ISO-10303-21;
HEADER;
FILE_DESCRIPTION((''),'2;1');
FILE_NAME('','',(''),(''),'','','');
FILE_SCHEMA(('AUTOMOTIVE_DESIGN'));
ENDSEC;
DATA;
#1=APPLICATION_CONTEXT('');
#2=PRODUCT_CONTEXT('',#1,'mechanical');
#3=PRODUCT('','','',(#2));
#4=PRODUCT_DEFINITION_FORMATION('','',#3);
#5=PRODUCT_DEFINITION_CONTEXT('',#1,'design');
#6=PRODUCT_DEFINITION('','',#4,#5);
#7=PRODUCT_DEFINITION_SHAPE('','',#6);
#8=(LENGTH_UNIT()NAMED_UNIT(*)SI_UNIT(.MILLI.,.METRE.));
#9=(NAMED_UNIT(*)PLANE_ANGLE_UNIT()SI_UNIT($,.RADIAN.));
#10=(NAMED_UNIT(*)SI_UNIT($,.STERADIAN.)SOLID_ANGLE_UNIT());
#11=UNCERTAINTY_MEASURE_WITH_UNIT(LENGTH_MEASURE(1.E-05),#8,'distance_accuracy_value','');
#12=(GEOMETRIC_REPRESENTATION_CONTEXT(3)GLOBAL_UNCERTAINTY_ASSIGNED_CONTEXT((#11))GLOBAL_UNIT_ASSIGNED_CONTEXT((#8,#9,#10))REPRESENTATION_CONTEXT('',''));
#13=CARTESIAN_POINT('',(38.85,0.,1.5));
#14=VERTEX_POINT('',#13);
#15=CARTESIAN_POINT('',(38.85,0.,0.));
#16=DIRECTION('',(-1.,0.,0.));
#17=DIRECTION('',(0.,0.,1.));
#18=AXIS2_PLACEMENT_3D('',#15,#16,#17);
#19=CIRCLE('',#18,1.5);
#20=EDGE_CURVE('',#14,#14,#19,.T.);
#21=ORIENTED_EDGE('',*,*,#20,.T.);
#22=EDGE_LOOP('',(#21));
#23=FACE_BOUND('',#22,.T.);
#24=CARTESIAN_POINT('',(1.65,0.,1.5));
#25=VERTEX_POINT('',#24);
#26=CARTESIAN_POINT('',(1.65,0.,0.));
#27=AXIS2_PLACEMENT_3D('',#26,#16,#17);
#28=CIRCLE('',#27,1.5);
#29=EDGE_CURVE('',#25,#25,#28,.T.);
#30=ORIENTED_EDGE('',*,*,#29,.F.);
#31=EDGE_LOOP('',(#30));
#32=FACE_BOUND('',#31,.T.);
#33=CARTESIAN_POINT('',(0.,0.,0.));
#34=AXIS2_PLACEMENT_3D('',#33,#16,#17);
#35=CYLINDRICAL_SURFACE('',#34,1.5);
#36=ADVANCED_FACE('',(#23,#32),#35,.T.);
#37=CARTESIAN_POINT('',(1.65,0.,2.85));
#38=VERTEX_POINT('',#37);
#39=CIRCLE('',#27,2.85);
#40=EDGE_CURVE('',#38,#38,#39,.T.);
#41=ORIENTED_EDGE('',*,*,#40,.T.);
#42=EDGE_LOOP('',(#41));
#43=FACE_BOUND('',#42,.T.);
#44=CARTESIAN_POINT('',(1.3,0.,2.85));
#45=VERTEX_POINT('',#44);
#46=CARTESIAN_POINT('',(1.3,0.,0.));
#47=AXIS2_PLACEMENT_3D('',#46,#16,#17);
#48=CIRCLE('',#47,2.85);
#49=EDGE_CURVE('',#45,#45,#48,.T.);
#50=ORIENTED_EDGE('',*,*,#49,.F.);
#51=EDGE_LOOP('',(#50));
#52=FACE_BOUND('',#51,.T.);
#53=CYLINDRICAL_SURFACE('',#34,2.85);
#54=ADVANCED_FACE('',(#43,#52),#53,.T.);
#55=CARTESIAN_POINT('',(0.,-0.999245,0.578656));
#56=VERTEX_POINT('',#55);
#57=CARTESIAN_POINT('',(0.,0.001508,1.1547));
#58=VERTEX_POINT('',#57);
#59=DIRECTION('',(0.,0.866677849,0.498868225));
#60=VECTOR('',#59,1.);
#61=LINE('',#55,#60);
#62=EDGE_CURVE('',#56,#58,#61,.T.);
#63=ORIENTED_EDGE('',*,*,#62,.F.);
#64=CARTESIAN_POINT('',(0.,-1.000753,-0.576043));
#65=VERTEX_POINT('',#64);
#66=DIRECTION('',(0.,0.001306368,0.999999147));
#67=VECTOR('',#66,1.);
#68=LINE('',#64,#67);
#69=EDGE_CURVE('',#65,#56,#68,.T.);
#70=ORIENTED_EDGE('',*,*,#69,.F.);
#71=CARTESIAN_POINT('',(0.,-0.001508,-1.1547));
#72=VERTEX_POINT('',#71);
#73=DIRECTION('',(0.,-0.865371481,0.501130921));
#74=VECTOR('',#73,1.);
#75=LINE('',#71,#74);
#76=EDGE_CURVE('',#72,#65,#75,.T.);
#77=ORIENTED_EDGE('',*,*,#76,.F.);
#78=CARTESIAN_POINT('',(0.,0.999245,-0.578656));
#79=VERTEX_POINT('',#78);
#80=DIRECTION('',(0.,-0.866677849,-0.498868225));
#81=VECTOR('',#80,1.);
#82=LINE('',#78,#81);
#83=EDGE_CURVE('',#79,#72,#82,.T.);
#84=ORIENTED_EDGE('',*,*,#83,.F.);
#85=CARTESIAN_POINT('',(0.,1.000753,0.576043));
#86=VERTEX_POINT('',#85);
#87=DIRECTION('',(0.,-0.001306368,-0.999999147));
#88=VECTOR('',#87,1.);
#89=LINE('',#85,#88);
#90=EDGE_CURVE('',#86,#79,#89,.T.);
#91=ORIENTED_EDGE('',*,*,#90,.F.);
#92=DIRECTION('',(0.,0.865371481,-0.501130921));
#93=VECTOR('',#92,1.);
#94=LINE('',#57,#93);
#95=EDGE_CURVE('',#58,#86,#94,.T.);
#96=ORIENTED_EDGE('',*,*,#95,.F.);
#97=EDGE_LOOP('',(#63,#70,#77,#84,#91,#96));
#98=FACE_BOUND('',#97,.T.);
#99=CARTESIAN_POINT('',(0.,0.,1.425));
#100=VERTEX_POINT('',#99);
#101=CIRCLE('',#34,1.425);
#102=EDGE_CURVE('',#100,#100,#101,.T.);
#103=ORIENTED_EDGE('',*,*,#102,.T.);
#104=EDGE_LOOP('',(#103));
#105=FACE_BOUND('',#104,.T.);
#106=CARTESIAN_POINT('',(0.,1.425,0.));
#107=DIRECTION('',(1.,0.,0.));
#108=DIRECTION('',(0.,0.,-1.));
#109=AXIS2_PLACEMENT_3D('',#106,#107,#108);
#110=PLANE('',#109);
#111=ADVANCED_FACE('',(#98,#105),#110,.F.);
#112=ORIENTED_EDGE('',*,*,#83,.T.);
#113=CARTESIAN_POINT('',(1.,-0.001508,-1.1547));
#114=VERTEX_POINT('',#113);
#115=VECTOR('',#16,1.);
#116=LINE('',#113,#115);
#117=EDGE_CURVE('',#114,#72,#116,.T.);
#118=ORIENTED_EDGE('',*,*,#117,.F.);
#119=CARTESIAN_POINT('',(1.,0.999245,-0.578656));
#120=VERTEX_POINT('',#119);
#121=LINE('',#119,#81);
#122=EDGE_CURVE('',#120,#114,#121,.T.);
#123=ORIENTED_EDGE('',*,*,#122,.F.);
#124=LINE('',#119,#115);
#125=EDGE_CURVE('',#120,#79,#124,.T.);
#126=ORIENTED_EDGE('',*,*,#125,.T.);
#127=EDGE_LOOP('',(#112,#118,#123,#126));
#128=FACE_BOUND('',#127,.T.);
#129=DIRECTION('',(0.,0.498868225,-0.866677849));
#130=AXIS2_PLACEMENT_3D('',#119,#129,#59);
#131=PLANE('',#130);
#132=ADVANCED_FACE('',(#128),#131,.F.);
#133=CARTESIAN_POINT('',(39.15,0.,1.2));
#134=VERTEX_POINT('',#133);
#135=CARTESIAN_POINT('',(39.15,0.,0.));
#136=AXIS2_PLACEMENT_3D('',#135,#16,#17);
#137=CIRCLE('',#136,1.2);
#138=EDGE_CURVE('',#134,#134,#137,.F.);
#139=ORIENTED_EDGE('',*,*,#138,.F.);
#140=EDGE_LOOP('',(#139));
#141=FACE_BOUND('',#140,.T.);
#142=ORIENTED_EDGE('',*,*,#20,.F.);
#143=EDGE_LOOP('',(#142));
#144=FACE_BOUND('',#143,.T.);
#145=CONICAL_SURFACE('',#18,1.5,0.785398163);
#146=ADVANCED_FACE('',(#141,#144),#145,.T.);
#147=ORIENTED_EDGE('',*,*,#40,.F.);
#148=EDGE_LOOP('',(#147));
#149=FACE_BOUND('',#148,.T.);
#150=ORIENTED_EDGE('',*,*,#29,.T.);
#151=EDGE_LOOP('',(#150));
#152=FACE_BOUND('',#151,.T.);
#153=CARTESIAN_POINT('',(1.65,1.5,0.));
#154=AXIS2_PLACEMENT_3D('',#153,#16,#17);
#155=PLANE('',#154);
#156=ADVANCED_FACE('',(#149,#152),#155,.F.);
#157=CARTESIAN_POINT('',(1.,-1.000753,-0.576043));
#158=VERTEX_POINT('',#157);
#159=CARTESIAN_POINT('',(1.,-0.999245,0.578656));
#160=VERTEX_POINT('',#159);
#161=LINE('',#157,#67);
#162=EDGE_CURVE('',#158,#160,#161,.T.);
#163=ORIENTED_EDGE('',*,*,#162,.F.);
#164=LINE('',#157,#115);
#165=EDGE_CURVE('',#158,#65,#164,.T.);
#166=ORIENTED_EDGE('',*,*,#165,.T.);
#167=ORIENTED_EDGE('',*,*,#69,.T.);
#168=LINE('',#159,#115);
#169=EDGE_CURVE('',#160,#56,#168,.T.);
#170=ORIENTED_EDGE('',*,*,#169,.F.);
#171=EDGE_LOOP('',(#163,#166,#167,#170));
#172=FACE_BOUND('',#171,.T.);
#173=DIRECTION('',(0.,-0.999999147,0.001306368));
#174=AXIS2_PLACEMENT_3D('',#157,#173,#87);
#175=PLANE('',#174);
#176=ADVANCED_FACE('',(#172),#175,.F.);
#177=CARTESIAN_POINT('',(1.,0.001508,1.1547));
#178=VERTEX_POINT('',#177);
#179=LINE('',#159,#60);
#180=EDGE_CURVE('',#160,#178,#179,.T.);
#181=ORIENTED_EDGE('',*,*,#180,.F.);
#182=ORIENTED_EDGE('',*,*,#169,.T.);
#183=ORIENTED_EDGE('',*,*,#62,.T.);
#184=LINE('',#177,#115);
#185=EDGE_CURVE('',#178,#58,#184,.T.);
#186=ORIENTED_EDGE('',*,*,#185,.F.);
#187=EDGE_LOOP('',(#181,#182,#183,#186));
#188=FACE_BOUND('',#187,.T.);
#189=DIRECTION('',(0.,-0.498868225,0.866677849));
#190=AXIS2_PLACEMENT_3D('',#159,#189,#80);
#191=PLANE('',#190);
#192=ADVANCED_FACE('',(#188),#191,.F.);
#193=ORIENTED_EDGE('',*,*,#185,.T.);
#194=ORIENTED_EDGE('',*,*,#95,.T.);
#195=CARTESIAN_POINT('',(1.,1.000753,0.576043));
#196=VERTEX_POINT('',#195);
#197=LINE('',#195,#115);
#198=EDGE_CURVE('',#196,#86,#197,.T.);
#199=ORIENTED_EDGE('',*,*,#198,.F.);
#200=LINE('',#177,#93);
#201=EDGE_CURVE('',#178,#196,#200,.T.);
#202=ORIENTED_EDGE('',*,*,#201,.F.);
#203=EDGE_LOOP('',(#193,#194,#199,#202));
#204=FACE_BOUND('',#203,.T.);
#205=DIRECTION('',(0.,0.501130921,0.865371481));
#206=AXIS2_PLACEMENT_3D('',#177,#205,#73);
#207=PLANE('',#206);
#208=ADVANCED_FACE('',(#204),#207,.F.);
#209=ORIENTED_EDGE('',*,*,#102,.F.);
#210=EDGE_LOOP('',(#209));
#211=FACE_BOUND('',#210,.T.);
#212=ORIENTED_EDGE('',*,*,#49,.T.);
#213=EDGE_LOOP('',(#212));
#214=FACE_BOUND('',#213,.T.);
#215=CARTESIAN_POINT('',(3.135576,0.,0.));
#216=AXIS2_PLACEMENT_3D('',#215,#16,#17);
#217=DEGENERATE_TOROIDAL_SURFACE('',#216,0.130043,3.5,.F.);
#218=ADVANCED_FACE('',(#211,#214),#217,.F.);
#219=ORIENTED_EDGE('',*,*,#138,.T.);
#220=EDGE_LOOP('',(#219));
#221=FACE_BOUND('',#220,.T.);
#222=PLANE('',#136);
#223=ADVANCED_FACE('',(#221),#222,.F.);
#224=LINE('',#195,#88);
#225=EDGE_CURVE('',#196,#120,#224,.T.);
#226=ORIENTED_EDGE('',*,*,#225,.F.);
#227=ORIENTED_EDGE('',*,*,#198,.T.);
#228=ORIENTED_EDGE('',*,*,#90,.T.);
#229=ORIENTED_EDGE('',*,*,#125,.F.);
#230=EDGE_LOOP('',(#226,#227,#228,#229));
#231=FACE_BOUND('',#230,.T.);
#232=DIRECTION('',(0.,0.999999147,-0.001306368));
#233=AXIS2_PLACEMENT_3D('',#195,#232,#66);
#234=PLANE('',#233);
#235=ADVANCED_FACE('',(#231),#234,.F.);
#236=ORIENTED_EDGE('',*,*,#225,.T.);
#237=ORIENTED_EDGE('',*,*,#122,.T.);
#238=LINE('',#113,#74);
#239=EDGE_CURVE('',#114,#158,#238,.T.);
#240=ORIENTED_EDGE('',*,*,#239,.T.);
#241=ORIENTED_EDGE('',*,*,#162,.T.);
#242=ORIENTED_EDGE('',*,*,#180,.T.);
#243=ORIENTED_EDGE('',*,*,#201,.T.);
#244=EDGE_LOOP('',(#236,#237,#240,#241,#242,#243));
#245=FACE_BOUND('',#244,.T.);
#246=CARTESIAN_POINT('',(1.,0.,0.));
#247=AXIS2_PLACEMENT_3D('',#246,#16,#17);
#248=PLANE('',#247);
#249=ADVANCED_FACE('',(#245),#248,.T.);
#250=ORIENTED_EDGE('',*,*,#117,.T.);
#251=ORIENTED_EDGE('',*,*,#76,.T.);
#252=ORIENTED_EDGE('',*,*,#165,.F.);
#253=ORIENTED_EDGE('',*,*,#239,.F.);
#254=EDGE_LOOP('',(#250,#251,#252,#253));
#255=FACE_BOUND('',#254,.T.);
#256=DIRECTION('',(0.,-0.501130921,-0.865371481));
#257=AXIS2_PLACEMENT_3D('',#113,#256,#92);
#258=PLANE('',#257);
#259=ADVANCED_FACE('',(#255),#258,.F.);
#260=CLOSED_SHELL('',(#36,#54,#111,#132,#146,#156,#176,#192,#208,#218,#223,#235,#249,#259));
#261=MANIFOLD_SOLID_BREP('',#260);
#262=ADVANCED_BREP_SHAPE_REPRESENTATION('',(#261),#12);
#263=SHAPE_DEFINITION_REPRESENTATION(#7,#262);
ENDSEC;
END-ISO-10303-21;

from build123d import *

# Parameters (mm, degrees)
CHAMFER1_SIZE      = 0.3
CUT_EXTRUDE1_DEPTH = 1


with BuildPart() as part:
    # Sketch2 → Revolve1 (revolve)
    with BuildSketch(Plane.XY):
        with BuildLine():
            Line((0, 0), (39.15, 0))
            Line((39.15, 0), (39.15, 1.5))
            Line((39.15, 1.5), (1.65, 1.5))
            Line((1.65, 1.5), (1.65, 2.85))
            Line((1.65, 2.85), (1.3, 2.85))
            ThreePointArc((1.3, 2.85), (0.549895392, 2.228823502), (0, 1.425))
            Line((0, 1.425), (0, 0))
        make_face()
    revolve(axis=Axis((0, 0, 0), (1, 0, 0)))

    # Chamfer1
    chamfer1_edges = [part.edges().sort_by_distance(p)[0] for p in [
        (39.15, -1.5, 0),
    ]]
    chamfer(chamfer1_edges, length=CHAMFER1_SIZE)

    # Sketch3 → Cut-Extrude1 (cut)
    with BuildSketch(Plane.ZY):
        Polygon((0.576043408, 1.000753379), (-0.578656145, 0.999244915), (-1.154699553, -0.001508464), (-0.576043408, -1.000753379), (0.578656145, -0.999244915), (1.154699553, 0.001508464), align=None)
    extrude(amount=-CUT_EXTRUDE1_DEPTH, mode=Mode.SUBTRACT)


solid = part.part
